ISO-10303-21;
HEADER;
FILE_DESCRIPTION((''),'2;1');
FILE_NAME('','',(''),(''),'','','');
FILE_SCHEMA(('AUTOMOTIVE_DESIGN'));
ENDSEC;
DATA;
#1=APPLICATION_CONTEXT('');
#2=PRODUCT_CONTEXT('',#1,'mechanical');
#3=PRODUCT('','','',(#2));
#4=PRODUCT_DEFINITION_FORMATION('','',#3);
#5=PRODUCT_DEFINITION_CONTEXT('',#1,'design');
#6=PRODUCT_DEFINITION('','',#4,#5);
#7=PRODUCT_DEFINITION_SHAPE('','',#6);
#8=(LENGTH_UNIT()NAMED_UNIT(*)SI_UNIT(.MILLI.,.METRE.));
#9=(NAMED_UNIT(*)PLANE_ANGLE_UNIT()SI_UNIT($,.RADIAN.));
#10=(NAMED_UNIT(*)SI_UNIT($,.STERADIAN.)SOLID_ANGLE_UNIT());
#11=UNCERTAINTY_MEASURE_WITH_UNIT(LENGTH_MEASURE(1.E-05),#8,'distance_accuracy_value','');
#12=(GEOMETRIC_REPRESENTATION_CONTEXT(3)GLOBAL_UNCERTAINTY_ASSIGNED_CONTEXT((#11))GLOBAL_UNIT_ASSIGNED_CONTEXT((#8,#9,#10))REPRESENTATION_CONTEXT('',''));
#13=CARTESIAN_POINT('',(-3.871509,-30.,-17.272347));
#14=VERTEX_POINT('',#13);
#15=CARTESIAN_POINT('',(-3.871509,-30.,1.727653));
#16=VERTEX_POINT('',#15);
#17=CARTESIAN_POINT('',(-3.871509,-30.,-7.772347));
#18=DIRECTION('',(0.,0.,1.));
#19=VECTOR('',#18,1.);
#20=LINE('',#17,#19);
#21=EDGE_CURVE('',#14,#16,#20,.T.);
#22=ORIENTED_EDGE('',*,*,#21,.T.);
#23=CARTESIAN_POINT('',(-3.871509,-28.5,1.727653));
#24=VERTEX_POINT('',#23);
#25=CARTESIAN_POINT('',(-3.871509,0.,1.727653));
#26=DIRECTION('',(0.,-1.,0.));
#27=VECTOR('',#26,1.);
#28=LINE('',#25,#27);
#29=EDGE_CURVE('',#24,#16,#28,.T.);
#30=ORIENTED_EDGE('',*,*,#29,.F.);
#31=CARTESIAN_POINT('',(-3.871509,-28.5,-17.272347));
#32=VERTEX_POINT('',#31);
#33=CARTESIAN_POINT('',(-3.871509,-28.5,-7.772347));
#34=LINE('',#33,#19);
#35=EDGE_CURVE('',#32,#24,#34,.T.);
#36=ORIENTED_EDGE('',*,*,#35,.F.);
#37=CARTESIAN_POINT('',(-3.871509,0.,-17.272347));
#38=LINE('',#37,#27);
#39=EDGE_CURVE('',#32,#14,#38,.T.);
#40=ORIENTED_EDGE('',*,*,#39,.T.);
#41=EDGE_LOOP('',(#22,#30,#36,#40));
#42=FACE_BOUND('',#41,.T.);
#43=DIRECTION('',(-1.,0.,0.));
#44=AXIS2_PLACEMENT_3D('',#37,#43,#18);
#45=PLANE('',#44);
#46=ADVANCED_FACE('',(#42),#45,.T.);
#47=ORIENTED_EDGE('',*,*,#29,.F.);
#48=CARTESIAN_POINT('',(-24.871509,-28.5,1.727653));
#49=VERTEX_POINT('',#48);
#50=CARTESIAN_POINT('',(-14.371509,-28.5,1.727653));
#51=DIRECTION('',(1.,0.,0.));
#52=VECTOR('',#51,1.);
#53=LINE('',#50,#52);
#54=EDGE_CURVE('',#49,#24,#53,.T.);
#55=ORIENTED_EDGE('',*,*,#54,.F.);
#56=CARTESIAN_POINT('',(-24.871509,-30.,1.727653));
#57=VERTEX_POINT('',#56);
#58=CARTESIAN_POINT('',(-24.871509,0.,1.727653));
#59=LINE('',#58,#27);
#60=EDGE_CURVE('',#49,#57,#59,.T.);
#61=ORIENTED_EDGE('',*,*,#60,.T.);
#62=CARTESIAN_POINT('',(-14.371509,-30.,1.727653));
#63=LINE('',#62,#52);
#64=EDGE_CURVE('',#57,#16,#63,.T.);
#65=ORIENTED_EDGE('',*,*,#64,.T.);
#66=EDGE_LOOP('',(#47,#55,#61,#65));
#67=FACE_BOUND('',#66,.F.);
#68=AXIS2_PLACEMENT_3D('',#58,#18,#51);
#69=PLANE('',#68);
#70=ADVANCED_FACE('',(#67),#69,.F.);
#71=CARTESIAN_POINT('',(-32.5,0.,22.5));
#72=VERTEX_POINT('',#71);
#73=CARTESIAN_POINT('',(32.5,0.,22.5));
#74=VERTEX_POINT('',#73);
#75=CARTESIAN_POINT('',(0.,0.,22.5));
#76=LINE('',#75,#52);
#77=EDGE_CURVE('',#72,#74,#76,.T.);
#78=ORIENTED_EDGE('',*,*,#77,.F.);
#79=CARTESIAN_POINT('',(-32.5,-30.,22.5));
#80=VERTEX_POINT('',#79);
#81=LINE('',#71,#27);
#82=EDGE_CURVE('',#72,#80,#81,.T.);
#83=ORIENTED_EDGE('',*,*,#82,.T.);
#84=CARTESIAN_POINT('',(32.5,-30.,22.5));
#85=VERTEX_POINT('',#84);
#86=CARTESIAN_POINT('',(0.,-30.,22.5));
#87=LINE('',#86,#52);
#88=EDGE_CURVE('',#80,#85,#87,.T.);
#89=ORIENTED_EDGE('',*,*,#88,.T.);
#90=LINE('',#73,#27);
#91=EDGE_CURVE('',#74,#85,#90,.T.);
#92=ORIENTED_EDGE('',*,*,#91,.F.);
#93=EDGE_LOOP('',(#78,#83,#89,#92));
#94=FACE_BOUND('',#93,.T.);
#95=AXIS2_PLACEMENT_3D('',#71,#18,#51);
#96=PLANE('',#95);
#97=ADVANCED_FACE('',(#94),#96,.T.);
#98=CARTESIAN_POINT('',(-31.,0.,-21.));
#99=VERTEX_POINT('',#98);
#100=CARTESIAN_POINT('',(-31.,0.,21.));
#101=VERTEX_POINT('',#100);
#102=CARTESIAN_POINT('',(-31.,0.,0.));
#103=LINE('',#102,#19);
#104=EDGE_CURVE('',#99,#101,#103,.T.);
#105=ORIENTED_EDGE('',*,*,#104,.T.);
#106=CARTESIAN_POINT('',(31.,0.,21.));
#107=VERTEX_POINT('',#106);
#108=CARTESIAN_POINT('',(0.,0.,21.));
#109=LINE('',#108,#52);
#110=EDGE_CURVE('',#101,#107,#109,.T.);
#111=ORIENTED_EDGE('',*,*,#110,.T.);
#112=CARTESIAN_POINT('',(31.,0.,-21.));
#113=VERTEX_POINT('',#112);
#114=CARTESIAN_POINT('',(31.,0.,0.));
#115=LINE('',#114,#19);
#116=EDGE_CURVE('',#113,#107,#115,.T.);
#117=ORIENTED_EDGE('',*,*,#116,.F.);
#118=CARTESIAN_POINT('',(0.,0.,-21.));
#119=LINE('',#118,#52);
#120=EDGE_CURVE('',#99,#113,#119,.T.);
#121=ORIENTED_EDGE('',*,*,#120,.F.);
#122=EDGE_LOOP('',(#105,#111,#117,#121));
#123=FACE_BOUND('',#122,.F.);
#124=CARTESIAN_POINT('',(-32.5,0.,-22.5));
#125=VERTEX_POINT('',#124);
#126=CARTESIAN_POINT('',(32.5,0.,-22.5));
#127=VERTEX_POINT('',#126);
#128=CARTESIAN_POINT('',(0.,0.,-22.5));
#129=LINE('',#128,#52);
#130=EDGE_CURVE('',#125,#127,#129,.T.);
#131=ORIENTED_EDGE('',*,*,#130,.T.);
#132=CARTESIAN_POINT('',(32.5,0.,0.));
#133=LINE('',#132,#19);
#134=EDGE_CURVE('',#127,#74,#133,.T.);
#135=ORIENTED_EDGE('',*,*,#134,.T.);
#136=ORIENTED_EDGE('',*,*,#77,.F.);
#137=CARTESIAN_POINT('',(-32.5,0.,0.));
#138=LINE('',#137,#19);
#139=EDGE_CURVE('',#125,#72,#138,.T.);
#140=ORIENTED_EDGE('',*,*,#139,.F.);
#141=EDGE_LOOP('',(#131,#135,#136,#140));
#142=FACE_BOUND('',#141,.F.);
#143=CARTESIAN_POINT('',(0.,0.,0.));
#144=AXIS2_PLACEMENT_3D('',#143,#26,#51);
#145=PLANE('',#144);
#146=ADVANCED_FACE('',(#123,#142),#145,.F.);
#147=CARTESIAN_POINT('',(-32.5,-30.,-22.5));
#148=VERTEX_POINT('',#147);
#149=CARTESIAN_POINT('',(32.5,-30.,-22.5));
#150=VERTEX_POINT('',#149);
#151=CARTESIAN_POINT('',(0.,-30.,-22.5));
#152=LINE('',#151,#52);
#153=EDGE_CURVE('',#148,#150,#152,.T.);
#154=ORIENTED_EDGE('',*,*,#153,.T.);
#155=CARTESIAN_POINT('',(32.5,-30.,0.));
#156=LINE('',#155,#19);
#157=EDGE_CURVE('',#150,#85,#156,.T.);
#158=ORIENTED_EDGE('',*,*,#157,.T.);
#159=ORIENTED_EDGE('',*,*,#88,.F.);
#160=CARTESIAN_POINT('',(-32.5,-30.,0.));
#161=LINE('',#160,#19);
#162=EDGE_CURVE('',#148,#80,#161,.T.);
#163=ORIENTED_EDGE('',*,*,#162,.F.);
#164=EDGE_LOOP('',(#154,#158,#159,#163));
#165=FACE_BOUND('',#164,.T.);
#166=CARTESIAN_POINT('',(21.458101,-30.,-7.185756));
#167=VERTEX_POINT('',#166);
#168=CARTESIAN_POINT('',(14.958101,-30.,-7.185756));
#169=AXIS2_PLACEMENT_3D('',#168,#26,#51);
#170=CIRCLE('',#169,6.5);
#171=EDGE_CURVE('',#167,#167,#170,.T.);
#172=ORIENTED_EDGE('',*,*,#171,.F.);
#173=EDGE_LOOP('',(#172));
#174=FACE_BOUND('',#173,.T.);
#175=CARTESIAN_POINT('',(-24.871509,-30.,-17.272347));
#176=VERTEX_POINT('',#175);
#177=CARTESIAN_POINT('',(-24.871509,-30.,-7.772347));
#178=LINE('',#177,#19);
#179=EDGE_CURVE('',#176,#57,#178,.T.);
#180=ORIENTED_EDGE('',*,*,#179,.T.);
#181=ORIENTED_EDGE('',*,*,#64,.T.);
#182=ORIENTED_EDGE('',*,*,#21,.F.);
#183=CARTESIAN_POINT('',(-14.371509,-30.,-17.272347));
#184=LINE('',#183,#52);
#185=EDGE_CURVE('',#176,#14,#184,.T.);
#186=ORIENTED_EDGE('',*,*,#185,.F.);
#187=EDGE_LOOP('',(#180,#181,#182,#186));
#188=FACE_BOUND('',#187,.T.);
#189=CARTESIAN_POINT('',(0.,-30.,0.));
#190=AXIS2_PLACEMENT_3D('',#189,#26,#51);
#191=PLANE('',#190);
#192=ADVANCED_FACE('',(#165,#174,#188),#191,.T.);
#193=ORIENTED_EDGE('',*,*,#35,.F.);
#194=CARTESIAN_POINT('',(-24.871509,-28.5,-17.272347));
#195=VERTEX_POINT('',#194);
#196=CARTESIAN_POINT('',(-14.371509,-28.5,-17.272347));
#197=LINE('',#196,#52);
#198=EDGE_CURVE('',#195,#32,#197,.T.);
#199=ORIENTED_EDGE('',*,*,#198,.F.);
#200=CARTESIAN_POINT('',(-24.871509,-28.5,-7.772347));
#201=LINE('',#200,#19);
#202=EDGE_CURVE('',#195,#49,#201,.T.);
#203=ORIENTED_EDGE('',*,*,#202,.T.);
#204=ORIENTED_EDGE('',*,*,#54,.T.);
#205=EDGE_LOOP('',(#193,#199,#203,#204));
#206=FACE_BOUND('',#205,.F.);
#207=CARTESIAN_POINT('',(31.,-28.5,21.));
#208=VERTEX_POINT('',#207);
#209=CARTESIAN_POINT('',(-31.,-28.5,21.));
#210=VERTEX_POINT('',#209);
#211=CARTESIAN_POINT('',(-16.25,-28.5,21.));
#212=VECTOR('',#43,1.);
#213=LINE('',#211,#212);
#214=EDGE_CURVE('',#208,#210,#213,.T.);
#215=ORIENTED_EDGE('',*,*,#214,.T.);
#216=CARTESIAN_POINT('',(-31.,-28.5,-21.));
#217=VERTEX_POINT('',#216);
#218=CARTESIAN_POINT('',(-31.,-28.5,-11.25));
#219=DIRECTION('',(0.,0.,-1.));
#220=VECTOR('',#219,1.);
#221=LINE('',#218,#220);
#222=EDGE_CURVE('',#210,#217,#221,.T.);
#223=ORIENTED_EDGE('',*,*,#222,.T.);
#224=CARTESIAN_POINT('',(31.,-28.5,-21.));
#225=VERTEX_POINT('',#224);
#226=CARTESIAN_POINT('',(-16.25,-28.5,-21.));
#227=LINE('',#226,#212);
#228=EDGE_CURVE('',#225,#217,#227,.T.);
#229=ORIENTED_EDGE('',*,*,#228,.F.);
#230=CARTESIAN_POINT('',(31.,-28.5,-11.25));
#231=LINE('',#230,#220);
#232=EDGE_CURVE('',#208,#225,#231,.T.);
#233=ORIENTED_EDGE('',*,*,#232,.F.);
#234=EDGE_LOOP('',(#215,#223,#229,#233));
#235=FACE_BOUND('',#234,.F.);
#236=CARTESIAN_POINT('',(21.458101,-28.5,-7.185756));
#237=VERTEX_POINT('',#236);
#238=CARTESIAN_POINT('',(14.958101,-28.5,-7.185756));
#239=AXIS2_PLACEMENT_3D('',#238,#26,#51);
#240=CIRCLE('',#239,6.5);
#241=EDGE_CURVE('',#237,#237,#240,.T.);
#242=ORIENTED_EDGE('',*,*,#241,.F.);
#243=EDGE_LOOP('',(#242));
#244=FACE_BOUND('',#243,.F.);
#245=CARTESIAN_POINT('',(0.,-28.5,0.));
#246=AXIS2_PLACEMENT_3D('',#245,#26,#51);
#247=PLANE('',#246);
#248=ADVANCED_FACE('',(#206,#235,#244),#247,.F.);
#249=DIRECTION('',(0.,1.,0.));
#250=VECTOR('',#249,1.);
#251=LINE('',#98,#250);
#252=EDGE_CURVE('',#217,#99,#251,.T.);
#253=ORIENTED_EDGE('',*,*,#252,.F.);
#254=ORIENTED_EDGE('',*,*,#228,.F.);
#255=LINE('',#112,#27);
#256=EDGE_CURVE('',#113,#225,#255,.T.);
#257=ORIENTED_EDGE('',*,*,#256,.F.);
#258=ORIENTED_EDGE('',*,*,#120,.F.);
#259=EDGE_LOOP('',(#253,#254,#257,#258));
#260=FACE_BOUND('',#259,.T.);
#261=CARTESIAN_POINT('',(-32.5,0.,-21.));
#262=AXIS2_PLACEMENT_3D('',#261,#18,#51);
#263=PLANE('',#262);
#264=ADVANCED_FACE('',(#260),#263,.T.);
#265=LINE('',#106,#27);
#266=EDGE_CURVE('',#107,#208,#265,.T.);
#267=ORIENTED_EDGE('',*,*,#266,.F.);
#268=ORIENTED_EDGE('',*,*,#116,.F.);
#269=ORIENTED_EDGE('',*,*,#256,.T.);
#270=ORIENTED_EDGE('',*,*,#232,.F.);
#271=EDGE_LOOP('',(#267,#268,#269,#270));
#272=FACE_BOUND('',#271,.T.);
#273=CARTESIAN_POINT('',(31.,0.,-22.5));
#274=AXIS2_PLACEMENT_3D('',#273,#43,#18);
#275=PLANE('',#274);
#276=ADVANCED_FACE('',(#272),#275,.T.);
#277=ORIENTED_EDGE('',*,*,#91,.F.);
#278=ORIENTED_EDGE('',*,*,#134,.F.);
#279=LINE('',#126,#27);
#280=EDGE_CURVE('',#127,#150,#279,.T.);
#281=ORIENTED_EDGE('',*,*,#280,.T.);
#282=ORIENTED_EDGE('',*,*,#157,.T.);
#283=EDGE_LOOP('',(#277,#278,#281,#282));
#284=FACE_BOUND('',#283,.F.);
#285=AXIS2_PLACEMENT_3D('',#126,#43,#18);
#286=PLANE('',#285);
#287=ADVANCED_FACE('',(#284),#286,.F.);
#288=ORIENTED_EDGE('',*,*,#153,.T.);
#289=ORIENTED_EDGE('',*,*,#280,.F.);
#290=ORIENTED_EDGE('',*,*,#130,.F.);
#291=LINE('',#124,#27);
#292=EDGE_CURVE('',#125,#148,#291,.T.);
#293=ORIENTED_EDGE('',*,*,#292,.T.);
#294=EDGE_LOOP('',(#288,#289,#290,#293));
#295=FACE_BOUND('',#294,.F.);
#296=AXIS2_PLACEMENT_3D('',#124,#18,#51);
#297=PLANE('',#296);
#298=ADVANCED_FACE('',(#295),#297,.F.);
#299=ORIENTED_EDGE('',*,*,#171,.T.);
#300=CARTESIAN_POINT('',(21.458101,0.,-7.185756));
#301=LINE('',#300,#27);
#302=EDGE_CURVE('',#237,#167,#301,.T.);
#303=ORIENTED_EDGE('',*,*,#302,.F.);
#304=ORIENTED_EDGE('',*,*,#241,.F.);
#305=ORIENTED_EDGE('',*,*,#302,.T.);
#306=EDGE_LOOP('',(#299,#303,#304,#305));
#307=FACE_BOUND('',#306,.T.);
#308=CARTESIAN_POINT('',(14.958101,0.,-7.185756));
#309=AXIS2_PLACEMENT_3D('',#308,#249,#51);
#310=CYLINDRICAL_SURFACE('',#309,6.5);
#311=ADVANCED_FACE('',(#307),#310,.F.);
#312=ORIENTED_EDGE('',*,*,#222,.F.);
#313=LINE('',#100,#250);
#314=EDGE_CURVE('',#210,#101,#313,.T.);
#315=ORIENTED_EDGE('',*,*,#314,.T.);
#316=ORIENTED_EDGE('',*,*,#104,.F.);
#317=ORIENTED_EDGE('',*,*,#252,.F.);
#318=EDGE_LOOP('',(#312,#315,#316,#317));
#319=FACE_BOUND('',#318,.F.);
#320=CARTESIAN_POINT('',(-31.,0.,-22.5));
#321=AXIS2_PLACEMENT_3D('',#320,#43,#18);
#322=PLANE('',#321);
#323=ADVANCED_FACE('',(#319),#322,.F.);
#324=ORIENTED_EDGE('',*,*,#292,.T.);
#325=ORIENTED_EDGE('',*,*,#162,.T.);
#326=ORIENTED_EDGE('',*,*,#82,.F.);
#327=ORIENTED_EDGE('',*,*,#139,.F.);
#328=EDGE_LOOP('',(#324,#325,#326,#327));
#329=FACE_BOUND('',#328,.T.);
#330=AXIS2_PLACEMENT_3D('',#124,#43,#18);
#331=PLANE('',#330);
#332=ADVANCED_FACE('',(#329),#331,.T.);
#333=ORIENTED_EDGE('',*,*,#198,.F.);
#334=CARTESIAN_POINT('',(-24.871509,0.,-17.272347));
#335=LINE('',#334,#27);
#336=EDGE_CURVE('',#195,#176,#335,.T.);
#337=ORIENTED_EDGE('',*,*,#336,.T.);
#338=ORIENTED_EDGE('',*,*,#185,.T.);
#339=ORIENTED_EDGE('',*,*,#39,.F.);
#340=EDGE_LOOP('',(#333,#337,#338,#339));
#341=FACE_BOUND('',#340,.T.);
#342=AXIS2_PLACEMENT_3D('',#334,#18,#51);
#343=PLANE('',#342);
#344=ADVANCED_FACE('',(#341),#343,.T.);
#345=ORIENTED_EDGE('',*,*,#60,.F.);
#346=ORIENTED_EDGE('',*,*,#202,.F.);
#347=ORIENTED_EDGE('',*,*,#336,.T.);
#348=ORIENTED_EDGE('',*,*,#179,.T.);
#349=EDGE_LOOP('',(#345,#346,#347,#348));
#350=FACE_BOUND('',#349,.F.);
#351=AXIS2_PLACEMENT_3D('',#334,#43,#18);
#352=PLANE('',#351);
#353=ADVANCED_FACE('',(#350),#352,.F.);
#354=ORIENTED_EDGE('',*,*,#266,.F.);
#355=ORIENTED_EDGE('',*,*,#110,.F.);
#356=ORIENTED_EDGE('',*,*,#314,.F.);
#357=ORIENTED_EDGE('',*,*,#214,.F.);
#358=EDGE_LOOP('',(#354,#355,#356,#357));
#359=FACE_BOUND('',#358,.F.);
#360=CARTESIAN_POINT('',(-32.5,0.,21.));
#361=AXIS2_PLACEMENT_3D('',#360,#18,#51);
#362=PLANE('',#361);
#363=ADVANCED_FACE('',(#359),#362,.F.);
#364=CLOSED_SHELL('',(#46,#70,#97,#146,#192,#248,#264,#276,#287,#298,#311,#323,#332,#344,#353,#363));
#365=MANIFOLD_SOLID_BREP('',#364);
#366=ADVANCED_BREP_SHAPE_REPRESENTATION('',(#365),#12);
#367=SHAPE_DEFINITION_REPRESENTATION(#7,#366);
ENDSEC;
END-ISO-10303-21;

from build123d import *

# Parameters (mm, degrees)
F0_W     = 65
F0_H     = 45
F0_W_2   = 21
F0_H_2   = 19
F0_R     = 6.5
F1_DEPTH = 30
F2_T     = -1.5


with BuildPart() as f1:
    # F0 (on Front) → F1 (new body)
    with BuildSketch(Plane.XZ):
        Rectangle(F0_W, F0_H)
        with Locations((-14.371509, -7.772347)):
            Rectangle(F0_W_2, F0_H_2, mode=Mode.SUBTRACT)
        with Locations((14.958101, -7.185756)):
            Circle(F0_R, mode=Mode.SUBTRACT)
    extrude(amount=F1_DEPTH)

    # F2
    f2_openings = [f1.faces().sort_by_distance(p)[0] for p in [
        (1.566398, 0, 1.694315),
        (-3.871509, -15, -7.772347),
        (8.458101, -15, -7.185756),
        (-24.871509, -15, -7.772347),
        (-14.371509, -15, 1.727653),
        (-14.371509, -15, -17.272347),
    ]]
    offset(amount=F2_T, openings=f2_openings)


solid = f1.part
